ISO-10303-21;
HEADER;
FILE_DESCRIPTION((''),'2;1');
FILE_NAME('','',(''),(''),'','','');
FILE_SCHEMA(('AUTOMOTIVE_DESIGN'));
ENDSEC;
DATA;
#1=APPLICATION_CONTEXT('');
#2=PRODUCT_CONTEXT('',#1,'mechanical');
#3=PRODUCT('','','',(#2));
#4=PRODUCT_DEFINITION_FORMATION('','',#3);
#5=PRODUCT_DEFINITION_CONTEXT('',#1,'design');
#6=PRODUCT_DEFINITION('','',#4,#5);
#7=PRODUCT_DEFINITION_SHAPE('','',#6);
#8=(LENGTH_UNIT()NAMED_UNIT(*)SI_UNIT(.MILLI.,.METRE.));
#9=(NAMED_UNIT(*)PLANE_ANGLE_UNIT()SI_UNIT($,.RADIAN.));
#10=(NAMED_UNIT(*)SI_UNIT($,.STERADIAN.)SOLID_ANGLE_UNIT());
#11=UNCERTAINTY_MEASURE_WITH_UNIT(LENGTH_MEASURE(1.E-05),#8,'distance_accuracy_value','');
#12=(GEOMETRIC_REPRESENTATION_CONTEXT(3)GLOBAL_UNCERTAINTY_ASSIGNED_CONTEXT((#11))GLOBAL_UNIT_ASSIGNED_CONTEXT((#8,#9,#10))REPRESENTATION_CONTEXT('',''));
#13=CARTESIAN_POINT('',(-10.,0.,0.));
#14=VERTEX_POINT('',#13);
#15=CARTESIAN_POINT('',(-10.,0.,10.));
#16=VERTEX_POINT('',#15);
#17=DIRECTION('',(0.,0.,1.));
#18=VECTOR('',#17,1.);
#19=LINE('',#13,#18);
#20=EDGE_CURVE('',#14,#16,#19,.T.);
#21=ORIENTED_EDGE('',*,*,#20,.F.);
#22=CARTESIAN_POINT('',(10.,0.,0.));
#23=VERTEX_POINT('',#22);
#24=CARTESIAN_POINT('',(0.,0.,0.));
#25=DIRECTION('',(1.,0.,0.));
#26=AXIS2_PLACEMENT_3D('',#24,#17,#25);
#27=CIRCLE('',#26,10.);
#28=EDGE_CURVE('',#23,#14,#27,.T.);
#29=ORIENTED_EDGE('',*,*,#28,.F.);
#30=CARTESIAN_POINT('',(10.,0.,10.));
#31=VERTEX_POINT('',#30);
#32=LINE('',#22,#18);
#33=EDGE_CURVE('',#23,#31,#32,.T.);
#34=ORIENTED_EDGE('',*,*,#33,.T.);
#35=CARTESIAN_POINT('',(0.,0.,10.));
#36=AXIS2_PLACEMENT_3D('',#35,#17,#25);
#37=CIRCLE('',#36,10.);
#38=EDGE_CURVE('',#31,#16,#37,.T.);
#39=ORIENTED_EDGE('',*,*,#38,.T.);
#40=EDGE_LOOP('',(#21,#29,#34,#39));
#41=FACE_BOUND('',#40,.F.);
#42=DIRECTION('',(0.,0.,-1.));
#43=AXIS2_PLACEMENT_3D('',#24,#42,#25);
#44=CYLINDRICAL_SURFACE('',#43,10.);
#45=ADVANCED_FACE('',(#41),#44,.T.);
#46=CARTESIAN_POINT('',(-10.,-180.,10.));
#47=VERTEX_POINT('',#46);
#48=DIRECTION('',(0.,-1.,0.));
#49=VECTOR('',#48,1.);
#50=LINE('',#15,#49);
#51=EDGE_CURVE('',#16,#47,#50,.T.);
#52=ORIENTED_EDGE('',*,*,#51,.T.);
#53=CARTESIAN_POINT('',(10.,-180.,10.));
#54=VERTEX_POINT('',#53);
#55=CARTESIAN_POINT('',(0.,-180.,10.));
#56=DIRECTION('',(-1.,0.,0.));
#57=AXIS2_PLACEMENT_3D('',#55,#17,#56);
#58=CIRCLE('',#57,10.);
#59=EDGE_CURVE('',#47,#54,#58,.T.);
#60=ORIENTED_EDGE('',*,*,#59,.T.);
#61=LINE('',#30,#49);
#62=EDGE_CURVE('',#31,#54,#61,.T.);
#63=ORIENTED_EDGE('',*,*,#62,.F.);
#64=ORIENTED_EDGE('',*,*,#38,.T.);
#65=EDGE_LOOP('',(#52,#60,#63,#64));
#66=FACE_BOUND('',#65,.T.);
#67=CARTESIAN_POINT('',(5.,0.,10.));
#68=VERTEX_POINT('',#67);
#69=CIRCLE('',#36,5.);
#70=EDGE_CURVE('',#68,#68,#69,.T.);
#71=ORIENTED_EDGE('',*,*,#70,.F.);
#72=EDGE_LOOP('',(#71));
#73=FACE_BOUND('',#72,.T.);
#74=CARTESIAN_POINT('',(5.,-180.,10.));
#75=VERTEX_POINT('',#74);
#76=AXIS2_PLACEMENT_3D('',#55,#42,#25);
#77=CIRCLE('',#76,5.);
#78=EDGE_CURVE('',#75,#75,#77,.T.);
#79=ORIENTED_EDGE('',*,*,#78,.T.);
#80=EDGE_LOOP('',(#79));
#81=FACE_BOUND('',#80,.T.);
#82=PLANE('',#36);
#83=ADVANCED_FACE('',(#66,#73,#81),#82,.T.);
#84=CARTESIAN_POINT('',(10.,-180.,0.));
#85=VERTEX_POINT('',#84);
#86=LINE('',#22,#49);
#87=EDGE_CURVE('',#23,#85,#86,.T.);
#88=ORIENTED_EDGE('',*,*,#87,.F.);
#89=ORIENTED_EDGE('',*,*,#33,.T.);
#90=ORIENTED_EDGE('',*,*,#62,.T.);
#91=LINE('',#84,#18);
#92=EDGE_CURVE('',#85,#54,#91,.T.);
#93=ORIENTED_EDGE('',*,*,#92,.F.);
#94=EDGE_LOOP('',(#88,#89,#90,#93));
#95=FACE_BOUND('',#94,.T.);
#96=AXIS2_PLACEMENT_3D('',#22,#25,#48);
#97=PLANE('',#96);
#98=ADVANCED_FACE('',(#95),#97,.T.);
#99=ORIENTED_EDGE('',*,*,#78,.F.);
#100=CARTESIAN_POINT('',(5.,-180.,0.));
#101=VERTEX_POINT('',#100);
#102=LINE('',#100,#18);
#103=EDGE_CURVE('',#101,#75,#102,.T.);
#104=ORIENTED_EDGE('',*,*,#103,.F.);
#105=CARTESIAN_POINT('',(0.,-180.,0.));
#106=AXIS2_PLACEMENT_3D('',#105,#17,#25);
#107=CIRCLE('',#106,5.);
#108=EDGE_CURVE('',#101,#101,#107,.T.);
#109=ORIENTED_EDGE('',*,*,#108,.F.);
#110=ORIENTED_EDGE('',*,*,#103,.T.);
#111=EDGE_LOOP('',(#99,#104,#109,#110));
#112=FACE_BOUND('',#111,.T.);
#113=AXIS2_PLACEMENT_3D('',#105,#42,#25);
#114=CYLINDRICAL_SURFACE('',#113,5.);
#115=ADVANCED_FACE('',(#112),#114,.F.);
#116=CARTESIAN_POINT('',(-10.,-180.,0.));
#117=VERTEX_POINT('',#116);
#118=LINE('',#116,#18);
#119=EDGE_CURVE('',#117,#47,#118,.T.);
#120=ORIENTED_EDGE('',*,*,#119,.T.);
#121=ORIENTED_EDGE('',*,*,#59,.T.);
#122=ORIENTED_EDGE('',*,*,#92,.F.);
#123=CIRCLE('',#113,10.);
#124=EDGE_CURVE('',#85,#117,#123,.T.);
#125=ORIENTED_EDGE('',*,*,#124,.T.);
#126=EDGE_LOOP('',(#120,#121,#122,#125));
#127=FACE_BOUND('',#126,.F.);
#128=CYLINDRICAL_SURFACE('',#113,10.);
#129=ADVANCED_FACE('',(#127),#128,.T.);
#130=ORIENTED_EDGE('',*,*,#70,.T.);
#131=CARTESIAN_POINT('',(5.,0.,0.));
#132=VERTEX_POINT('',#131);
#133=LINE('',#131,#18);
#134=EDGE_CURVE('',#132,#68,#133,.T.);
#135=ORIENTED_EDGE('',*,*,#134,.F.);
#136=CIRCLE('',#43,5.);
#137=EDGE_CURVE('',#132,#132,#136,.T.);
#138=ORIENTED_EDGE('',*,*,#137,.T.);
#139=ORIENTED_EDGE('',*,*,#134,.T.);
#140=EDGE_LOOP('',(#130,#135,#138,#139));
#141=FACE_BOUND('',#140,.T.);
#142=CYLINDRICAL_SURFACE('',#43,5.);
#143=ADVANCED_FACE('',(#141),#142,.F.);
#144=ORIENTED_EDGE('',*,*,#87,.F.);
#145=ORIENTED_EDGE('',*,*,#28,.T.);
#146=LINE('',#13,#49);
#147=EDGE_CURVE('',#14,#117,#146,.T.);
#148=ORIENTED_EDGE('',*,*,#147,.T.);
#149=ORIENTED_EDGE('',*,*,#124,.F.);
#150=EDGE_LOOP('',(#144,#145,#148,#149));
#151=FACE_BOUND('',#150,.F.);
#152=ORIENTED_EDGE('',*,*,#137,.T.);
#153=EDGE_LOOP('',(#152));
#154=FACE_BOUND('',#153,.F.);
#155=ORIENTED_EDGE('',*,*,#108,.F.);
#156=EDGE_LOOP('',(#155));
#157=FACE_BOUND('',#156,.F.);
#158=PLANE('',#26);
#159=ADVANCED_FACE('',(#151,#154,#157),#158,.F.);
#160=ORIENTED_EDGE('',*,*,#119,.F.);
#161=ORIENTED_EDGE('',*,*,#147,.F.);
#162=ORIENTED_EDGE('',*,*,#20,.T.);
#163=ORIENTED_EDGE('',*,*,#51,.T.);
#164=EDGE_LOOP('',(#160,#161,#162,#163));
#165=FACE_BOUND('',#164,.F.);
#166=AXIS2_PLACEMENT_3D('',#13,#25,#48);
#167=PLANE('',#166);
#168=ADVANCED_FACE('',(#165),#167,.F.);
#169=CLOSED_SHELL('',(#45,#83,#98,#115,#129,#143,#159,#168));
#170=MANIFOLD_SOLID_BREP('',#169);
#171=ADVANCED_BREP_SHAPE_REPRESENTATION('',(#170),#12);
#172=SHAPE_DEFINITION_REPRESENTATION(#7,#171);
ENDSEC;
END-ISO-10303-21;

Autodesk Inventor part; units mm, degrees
ref_plane "YZ Plane" through (0, 0, 0) normal (1, 0, 0) x (0, 1, 0)
ref_plane "XZ Plane" through (0, 0, 0) normal (0, 1, 0) x (-1, 0, 0)
ref_plane "XY Plane" through (0, 0, 0) normal (0, 0, 1) x (1, 0, 0)
sketch "スケッチ1" plane through (0, 0, 0) normal (0, 0, 1) x (1, 0, 0)
  circle A0 centre (0, 0) radius 5
  circle A1 centre (0, 0) radius 10
  line L0 (-5, 0) -> (5, 0)
  line L1 (5, 0) -> (5, -190)
  line L2 (5, -190) -> (-5, -190)
  line L3 (-5, -190) -> (-5, 0)
  line L4 (-10, 0) -> (-10, -190)
  line L5 (-10, -190) -> (5, -190)
  line L6 (10, 0) -> (10, -190)
  line L7 (10, -190) -> (5, -190)
  circle A2 centre (0, -180) radius 5
  circle A3 centre (0, -180) radius 10
  point P0 (5, -8.6603)
  point P1 (-5, -8.6603)
  point P2 (-5, -171.3397)
  point P3 (5, -171.3397)
  point P4 (-10, -180)
  point P5 (10, -180)
  dimension "d0" = 10
  dimension "d1" = 20
  dimension "d3" = 10
  dimension "d15" = 20
  dimension "d16" = 10
  dimension "d17" = 20
  dimension "d18" = 10
  dimension "d19" = 10
  dimension "d22" = 180
extrude "押し出し1" add sketch "スケッチ1" along normal blind 10 contours L1 A1 L3 A0 | A0 L3 A1 L1 | L1 A3 L3 A1 | A1 L6 A3 L1 | L3 A3 L4 A1 | A3 L1 | L1 A2 L3 A3 | L3 A3 | L1 A3 L3 A2
properties part number "legparts_03(six)"
